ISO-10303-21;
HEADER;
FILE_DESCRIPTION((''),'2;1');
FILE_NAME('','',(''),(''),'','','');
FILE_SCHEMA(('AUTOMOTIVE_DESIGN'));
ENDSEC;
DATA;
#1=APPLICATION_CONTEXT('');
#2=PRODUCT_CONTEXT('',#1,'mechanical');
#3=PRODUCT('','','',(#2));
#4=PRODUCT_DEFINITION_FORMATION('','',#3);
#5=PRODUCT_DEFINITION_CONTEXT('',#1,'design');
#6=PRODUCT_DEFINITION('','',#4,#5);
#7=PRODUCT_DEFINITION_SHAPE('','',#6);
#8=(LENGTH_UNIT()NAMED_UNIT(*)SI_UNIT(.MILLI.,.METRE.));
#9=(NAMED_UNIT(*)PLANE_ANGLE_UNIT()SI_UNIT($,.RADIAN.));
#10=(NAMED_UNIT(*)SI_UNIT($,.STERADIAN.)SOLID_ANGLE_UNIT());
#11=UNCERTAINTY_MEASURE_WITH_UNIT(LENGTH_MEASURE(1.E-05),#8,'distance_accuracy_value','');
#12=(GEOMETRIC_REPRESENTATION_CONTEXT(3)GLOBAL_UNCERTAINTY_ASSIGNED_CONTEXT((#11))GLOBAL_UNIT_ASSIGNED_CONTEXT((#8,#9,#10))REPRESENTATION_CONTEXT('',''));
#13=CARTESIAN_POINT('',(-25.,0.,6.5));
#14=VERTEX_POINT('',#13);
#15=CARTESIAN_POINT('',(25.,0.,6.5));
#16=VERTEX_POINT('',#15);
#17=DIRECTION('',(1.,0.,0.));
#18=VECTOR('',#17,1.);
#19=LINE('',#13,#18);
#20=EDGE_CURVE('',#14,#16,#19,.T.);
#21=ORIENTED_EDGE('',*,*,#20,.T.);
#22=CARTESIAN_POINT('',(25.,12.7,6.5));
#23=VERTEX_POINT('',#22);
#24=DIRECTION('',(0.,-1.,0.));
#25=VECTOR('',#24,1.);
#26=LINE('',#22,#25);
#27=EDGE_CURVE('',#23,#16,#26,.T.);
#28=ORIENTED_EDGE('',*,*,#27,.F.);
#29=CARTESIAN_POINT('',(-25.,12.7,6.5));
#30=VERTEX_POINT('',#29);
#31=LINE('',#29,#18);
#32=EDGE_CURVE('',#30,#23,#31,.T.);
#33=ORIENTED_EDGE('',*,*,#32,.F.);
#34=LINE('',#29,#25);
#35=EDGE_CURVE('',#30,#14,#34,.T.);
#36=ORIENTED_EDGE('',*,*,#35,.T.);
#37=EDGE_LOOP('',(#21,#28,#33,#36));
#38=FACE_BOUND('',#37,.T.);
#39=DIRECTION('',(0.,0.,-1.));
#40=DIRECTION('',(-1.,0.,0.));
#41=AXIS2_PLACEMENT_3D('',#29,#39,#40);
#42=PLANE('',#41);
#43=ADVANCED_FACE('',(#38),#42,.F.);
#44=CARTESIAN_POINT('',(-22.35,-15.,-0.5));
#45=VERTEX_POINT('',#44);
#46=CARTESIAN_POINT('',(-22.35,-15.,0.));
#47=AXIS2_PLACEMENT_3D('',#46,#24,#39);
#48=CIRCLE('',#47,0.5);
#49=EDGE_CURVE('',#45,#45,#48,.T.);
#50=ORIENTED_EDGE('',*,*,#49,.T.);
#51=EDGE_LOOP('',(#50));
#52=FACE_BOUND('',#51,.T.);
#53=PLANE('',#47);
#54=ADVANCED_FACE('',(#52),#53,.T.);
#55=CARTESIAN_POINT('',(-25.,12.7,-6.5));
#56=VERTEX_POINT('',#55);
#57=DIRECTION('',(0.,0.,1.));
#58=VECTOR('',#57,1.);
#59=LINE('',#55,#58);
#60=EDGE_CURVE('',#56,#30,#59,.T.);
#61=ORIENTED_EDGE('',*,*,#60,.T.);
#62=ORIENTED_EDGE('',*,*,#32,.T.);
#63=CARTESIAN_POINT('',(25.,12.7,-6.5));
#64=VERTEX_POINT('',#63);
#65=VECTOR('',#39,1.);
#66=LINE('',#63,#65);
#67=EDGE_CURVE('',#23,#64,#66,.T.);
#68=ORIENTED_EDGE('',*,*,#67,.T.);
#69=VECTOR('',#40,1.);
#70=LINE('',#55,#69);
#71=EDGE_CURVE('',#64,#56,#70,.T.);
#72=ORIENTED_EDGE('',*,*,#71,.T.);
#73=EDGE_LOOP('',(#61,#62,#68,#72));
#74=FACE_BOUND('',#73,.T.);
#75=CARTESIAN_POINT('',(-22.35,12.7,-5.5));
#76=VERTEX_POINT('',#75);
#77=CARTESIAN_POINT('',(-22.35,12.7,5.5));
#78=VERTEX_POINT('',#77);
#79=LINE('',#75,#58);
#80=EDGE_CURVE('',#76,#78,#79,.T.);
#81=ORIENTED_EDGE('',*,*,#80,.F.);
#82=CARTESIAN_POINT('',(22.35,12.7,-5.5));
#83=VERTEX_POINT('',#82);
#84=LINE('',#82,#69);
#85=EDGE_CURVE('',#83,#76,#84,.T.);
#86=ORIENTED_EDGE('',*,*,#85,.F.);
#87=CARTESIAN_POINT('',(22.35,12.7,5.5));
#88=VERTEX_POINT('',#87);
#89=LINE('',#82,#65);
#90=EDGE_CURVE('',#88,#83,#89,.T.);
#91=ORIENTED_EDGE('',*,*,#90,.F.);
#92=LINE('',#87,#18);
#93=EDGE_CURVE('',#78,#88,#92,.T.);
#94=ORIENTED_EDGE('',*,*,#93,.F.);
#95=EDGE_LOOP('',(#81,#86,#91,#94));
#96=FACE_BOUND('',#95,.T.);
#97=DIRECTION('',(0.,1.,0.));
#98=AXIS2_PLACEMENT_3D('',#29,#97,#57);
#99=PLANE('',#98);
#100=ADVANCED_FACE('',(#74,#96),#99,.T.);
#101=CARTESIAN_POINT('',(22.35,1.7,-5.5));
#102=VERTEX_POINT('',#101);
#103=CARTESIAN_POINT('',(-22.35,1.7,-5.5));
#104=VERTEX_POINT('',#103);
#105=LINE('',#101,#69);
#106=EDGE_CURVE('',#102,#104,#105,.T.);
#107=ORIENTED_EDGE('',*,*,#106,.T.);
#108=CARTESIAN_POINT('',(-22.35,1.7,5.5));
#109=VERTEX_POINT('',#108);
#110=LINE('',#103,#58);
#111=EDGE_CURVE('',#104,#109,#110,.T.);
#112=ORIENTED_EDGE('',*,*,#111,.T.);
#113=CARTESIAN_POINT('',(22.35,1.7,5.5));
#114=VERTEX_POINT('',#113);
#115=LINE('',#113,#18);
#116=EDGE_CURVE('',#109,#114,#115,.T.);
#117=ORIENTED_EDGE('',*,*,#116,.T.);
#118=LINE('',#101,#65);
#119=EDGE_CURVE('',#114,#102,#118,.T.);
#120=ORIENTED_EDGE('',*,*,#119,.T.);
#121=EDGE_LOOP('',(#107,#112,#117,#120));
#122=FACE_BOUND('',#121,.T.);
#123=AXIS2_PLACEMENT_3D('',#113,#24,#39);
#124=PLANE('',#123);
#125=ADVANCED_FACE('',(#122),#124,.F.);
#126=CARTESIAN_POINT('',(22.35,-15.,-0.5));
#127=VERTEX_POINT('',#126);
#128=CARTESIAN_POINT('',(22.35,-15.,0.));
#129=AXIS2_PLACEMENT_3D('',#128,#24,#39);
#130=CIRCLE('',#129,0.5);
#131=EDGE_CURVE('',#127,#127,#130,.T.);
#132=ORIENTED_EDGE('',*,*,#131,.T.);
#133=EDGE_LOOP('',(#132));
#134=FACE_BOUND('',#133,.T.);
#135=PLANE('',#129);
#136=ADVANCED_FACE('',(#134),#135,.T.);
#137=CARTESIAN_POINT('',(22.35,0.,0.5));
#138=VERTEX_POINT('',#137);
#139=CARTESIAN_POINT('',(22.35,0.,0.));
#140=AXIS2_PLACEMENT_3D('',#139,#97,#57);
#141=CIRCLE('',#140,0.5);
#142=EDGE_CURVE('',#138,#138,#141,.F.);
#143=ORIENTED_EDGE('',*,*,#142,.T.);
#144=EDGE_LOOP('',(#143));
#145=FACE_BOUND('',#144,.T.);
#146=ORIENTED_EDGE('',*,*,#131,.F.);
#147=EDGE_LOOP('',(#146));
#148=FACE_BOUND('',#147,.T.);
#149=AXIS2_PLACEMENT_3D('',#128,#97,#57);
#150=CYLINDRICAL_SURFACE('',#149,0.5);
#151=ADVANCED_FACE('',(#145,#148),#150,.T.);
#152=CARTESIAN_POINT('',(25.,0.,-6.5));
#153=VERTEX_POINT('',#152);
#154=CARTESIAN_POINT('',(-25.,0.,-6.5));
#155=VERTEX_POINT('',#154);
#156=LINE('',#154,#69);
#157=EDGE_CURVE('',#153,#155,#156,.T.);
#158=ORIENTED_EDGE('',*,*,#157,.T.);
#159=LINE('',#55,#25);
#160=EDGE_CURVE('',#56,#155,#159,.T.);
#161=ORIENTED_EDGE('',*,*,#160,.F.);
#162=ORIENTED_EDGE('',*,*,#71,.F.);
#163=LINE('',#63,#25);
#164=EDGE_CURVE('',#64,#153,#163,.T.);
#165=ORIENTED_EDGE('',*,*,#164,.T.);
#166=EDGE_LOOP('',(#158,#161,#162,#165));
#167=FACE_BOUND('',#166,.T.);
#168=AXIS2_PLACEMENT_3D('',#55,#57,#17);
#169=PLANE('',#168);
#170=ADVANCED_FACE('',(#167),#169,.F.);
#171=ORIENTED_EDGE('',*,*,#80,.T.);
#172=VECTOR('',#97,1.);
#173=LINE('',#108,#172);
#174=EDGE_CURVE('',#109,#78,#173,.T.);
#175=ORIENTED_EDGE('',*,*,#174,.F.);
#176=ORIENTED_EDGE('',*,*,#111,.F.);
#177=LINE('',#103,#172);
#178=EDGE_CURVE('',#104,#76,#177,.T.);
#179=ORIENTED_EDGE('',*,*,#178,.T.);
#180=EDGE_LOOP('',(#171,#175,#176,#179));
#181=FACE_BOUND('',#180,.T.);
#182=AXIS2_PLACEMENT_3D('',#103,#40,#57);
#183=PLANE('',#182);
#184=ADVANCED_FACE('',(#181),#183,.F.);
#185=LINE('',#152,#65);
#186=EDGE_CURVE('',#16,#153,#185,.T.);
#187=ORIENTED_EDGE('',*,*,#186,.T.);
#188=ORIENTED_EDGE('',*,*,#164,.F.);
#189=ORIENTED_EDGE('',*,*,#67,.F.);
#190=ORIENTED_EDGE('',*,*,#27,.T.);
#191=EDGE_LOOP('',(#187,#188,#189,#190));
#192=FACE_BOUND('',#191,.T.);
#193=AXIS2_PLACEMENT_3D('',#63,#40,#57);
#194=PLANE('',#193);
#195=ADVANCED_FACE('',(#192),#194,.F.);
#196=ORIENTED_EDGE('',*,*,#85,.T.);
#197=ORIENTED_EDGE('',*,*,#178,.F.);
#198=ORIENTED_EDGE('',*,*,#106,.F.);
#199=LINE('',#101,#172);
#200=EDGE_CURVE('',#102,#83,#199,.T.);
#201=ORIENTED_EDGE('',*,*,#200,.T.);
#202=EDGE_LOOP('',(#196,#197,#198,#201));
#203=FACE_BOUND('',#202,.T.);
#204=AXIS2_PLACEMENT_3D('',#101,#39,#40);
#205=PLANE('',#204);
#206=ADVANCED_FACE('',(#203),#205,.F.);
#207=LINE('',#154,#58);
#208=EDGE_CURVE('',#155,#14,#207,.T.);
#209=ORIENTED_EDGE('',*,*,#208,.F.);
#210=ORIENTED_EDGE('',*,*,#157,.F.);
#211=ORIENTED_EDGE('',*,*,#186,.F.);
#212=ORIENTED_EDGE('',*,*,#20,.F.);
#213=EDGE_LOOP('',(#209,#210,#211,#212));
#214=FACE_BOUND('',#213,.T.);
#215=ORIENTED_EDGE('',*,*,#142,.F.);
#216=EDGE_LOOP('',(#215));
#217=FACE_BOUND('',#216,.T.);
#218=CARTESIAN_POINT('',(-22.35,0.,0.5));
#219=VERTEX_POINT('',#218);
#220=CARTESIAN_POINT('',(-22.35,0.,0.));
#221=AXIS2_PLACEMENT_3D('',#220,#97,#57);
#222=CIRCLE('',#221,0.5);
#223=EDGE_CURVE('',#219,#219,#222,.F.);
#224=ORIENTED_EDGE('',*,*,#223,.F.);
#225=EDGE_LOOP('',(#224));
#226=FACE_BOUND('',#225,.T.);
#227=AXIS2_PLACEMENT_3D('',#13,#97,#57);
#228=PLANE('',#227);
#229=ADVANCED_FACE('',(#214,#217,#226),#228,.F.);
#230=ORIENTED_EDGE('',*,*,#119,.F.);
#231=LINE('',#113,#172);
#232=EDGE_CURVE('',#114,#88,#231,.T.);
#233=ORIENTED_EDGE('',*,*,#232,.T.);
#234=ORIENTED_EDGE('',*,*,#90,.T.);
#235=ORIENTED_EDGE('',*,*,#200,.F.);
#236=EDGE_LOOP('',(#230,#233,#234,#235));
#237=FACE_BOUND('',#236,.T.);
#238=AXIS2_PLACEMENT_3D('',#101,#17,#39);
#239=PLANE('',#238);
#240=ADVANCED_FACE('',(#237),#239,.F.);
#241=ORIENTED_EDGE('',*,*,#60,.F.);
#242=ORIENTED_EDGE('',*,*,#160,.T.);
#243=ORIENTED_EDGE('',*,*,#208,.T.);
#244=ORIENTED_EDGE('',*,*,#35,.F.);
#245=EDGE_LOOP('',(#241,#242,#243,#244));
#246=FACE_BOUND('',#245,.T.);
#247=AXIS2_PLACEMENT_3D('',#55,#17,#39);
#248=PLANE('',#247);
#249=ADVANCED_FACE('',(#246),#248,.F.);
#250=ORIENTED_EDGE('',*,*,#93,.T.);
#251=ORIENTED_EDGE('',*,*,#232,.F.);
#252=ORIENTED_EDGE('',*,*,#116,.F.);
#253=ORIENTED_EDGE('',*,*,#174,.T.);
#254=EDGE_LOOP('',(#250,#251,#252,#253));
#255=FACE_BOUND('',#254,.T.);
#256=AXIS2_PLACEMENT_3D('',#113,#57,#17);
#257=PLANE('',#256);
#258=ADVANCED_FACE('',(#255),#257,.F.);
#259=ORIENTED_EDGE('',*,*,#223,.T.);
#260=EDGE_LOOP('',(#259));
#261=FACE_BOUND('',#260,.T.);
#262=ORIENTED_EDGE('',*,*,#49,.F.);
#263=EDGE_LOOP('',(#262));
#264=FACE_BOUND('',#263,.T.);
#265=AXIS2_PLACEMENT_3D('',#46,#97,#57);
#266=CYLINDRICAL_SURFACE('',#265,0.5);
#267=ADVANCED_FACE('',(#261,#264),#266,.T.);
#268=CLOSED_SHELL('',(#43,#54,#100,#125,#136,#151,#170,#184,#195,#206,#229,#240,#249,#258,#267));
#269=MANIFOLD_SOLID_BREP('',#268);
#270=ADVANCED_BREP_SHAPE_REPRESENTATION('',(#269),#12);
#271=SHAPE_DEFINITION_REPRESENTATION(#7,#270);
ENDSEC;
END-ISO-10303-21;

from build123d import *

# Parameters (mm, degrees)
SKETCH1_W          = 50
SKETCH1_H          = 13
EXTRUDE1_DEPTH     = 12.7
SKETCH2_W          = 44.7
SKETCH2_H          = 11
CUT_EXTRUDE1_DEPTH = 11
SKETCH3_R          = 0.5
EXTRUDE2_DEPTH     = 15


with BuildPart() as part:
    # Sketch1 → Extrude1 (new body)
    with BuildSketch(Plane(origin=(0, 0, 0), x_dir=(1, 0, 0), z_dir=(0, 1, 0))):
        Rectangle(SKETCH1_W, SKETCH1_H)
    extrude(amount=EXTRUDE1_DEPTH)

    # Sketch2 → Cut-Extrude1 (cut)
    with BuildSketch(Plane(origin=(0, 12.7, 0), x_dir=(-1, 0, 0), z_dir=(0, 1, 0))):
        Rectangle(SKETCH2_W, SKETCH2_H)
    extrude(amount=-CUT_EXTRUDE1_DEPTH, mode=Mode.SUBTRACT)

    # Sketch3 → Extrude2 (add)
    with BuildSketch(Plane.XZ):
        with Locations((-22.35, 0)):
            Circle(SKETCH3_R)
        with Locations((22.35, 0)):
            Circle(SKETCH3_R)
    extrude(amount=EXTRUDE2_DEPTH)


solid = part.part
